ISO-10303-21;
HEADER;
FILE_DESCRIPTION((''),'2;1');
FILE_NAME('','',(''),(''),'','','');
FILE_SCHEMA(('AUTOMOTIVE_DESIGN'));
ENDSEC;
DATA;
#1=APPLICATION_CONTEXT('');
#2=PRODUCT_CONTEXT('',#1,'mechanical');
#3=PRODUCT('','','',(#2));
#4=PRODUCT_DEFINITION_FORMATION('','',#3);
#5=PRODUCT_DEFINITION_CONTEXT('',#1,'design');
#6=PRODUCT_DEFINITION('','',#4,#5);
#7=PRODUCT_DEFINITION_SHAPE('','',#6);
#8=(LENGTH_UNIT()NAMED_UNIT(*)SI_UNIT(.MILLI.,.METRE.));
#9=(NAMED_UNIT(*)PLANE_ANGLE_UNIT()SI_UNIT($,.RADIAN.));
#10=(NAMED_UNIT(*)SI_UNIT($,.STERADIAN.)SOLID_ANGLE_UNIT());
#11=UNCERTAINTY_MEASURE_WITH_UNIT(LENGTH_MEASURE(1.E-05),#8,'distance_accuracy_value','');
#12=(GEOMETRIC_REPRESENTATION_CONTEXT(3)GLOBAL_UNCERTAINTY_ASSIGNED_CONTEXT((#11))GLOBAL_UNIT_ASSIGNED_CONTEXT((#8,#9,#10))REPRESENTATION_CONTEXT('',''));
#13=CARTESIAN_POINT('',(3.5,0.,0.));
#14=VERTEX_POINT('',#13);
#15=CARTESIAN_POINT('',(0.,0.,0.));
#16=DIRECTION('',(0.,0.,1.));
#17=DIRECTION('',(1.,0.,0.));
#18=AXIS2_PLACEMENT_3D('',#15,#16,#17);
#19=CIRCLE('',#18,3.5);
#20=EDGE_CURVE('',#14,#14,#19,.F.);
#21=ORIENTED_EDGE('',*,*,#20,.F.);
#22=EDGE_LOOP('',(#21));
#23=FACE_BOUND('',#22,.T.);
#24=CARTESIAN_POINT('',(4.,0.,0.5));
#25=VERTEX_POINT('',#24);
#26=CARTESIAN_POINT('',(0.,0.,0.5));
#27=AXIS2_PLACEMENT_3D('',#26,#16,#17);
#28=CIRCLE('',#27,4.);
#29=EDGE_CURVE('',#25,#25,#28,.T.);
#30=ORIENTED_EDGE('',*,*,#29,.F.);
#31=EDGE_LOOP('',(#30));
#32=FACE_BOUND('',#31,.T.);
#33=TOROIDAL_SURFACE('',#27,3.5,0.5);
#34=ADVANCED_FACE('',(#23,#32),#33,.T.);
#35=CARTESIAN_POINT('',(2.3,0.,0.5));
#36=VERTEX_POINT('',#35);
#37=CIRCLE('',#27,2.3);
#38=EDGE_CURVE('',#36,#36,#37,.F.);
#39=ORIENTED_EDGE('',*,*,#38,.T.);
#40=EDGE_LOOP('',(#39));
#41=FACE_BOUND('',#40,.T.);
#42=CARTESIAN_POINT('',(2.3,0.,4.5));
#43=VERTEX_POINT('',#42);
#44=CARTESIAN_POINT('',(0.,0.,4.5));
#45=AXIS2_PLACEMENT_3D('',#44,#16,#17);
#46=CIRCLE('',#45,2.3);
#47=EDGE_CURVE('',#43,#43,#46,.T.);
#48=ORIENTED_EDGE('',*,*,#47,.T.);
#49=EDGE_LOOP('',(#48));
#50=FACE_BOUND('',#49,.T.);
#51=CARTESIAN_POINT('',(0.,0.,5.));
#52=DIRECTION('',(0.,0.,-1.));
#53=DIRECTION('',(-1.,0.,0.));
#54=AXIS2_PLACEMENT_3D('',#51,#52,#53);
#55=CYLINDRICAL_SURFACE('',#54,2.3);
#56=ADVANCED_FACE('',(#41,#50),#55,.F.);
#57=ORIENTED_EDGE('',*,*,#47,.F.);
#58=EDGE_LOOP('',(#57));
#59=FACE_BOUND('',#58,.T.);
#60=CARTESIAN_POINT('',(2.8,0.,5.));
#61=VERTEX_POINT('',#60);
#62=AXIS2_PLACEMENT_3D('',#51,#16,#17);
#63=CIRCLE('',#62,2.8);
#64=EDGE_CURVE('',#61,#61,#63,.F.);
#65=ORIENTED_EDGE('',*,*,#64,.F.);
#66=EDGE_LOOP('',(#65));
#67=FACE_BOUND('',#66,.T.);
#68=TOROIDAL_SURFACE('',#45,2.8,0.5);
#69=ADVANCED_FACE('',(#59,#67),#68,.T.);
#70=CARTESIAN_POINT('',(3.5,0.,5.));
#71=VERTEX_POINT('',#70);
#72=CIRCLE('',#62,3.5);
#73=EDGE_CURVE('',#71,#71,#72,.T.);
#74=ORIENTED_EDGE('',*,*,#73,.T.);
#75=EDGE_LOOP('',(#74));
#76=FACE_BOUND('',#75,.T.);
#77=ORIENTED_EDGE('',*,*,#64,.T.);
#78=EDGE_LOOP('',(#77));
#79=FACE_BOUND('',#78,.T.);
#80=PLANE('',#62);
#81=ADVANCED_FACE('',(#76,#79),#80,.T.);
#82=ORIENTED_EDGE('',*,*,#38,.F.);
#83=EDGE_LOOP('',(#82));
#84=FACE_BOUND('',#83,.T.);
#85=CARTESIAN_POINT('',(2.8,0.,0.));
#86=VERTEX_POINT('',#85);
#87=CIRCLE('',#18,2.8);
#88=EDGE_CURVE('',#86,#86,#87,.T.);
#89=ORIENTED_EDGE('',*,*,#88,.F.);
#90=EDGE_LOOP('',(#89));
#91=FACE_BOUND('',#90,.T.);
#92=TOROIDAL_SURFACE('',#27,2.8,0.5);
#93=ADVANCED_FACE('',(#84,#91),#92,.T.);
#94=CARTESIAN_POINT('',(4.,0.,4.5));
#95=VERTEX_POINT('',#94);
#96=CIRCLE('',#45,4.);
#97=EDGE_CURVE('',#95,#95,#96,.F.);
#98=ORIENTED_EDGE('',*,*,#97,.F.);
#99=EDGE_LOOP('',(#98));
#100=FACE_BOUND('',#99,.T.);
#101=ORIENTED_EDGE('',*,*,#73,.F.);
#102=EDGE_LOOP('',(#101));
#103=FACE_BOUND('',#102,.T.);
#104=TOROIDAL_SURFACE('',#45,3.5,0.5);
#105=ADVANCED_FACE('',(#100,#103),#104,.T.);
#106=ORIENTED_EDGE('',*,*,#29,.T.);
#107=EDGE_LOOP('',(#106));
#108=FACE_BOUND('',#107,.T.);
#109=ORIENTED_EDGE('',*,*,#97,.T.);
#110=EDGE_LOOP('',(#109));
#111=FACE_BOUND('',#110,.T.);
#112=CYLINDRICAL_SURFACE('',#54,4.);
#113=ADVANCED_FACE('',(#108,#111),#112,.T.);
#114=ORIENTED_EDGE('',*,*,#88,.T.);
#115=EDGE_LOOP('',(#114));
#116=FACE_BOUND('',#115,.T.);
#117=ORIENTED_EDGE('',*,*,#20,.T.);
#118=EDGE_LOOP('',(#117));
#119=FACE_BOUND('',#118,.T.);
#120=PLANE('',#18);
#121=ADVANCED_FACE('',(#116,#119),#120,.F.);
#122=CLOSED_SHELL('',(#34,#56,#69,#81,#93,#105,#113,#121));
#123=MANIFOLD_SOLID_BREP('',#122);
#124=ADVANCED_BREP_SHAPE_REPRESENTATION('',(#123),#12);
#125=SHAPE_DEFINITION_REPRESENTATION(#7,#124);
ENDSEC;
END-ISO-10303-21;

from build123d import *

# Parameters (mm, degrees)
SKETCH_1_R      = 4
SKETCH_1_R_2    = 2.3
EXTRUDE_1_DEPTH = 5
FILLET_1_R      = 0.5


with BuildPart() as part:
    # 草图1 → 凸台-拉伸1 (new body)
    with BuildSketch(Plane.XY):
        Circle(SKETCH_1_R)
        Circle(SKETCH_1_R_2, mode=Mode.SUBTRACT)
    extrude(amount=EXTRUDE_1_DEPTH)

    # 圆角1
    fillet_1_edges = [part.edges().sort_by_distance(p)[0] for p in [
        (-4, 0, 0),
        (-4, 0, 5),
        (-2.3, 0, 0),
        (-2.3, 0, 5),
    ]]
    fillet(fillet_1_edges, radius=FILLET_1_R)


solid = part.part
